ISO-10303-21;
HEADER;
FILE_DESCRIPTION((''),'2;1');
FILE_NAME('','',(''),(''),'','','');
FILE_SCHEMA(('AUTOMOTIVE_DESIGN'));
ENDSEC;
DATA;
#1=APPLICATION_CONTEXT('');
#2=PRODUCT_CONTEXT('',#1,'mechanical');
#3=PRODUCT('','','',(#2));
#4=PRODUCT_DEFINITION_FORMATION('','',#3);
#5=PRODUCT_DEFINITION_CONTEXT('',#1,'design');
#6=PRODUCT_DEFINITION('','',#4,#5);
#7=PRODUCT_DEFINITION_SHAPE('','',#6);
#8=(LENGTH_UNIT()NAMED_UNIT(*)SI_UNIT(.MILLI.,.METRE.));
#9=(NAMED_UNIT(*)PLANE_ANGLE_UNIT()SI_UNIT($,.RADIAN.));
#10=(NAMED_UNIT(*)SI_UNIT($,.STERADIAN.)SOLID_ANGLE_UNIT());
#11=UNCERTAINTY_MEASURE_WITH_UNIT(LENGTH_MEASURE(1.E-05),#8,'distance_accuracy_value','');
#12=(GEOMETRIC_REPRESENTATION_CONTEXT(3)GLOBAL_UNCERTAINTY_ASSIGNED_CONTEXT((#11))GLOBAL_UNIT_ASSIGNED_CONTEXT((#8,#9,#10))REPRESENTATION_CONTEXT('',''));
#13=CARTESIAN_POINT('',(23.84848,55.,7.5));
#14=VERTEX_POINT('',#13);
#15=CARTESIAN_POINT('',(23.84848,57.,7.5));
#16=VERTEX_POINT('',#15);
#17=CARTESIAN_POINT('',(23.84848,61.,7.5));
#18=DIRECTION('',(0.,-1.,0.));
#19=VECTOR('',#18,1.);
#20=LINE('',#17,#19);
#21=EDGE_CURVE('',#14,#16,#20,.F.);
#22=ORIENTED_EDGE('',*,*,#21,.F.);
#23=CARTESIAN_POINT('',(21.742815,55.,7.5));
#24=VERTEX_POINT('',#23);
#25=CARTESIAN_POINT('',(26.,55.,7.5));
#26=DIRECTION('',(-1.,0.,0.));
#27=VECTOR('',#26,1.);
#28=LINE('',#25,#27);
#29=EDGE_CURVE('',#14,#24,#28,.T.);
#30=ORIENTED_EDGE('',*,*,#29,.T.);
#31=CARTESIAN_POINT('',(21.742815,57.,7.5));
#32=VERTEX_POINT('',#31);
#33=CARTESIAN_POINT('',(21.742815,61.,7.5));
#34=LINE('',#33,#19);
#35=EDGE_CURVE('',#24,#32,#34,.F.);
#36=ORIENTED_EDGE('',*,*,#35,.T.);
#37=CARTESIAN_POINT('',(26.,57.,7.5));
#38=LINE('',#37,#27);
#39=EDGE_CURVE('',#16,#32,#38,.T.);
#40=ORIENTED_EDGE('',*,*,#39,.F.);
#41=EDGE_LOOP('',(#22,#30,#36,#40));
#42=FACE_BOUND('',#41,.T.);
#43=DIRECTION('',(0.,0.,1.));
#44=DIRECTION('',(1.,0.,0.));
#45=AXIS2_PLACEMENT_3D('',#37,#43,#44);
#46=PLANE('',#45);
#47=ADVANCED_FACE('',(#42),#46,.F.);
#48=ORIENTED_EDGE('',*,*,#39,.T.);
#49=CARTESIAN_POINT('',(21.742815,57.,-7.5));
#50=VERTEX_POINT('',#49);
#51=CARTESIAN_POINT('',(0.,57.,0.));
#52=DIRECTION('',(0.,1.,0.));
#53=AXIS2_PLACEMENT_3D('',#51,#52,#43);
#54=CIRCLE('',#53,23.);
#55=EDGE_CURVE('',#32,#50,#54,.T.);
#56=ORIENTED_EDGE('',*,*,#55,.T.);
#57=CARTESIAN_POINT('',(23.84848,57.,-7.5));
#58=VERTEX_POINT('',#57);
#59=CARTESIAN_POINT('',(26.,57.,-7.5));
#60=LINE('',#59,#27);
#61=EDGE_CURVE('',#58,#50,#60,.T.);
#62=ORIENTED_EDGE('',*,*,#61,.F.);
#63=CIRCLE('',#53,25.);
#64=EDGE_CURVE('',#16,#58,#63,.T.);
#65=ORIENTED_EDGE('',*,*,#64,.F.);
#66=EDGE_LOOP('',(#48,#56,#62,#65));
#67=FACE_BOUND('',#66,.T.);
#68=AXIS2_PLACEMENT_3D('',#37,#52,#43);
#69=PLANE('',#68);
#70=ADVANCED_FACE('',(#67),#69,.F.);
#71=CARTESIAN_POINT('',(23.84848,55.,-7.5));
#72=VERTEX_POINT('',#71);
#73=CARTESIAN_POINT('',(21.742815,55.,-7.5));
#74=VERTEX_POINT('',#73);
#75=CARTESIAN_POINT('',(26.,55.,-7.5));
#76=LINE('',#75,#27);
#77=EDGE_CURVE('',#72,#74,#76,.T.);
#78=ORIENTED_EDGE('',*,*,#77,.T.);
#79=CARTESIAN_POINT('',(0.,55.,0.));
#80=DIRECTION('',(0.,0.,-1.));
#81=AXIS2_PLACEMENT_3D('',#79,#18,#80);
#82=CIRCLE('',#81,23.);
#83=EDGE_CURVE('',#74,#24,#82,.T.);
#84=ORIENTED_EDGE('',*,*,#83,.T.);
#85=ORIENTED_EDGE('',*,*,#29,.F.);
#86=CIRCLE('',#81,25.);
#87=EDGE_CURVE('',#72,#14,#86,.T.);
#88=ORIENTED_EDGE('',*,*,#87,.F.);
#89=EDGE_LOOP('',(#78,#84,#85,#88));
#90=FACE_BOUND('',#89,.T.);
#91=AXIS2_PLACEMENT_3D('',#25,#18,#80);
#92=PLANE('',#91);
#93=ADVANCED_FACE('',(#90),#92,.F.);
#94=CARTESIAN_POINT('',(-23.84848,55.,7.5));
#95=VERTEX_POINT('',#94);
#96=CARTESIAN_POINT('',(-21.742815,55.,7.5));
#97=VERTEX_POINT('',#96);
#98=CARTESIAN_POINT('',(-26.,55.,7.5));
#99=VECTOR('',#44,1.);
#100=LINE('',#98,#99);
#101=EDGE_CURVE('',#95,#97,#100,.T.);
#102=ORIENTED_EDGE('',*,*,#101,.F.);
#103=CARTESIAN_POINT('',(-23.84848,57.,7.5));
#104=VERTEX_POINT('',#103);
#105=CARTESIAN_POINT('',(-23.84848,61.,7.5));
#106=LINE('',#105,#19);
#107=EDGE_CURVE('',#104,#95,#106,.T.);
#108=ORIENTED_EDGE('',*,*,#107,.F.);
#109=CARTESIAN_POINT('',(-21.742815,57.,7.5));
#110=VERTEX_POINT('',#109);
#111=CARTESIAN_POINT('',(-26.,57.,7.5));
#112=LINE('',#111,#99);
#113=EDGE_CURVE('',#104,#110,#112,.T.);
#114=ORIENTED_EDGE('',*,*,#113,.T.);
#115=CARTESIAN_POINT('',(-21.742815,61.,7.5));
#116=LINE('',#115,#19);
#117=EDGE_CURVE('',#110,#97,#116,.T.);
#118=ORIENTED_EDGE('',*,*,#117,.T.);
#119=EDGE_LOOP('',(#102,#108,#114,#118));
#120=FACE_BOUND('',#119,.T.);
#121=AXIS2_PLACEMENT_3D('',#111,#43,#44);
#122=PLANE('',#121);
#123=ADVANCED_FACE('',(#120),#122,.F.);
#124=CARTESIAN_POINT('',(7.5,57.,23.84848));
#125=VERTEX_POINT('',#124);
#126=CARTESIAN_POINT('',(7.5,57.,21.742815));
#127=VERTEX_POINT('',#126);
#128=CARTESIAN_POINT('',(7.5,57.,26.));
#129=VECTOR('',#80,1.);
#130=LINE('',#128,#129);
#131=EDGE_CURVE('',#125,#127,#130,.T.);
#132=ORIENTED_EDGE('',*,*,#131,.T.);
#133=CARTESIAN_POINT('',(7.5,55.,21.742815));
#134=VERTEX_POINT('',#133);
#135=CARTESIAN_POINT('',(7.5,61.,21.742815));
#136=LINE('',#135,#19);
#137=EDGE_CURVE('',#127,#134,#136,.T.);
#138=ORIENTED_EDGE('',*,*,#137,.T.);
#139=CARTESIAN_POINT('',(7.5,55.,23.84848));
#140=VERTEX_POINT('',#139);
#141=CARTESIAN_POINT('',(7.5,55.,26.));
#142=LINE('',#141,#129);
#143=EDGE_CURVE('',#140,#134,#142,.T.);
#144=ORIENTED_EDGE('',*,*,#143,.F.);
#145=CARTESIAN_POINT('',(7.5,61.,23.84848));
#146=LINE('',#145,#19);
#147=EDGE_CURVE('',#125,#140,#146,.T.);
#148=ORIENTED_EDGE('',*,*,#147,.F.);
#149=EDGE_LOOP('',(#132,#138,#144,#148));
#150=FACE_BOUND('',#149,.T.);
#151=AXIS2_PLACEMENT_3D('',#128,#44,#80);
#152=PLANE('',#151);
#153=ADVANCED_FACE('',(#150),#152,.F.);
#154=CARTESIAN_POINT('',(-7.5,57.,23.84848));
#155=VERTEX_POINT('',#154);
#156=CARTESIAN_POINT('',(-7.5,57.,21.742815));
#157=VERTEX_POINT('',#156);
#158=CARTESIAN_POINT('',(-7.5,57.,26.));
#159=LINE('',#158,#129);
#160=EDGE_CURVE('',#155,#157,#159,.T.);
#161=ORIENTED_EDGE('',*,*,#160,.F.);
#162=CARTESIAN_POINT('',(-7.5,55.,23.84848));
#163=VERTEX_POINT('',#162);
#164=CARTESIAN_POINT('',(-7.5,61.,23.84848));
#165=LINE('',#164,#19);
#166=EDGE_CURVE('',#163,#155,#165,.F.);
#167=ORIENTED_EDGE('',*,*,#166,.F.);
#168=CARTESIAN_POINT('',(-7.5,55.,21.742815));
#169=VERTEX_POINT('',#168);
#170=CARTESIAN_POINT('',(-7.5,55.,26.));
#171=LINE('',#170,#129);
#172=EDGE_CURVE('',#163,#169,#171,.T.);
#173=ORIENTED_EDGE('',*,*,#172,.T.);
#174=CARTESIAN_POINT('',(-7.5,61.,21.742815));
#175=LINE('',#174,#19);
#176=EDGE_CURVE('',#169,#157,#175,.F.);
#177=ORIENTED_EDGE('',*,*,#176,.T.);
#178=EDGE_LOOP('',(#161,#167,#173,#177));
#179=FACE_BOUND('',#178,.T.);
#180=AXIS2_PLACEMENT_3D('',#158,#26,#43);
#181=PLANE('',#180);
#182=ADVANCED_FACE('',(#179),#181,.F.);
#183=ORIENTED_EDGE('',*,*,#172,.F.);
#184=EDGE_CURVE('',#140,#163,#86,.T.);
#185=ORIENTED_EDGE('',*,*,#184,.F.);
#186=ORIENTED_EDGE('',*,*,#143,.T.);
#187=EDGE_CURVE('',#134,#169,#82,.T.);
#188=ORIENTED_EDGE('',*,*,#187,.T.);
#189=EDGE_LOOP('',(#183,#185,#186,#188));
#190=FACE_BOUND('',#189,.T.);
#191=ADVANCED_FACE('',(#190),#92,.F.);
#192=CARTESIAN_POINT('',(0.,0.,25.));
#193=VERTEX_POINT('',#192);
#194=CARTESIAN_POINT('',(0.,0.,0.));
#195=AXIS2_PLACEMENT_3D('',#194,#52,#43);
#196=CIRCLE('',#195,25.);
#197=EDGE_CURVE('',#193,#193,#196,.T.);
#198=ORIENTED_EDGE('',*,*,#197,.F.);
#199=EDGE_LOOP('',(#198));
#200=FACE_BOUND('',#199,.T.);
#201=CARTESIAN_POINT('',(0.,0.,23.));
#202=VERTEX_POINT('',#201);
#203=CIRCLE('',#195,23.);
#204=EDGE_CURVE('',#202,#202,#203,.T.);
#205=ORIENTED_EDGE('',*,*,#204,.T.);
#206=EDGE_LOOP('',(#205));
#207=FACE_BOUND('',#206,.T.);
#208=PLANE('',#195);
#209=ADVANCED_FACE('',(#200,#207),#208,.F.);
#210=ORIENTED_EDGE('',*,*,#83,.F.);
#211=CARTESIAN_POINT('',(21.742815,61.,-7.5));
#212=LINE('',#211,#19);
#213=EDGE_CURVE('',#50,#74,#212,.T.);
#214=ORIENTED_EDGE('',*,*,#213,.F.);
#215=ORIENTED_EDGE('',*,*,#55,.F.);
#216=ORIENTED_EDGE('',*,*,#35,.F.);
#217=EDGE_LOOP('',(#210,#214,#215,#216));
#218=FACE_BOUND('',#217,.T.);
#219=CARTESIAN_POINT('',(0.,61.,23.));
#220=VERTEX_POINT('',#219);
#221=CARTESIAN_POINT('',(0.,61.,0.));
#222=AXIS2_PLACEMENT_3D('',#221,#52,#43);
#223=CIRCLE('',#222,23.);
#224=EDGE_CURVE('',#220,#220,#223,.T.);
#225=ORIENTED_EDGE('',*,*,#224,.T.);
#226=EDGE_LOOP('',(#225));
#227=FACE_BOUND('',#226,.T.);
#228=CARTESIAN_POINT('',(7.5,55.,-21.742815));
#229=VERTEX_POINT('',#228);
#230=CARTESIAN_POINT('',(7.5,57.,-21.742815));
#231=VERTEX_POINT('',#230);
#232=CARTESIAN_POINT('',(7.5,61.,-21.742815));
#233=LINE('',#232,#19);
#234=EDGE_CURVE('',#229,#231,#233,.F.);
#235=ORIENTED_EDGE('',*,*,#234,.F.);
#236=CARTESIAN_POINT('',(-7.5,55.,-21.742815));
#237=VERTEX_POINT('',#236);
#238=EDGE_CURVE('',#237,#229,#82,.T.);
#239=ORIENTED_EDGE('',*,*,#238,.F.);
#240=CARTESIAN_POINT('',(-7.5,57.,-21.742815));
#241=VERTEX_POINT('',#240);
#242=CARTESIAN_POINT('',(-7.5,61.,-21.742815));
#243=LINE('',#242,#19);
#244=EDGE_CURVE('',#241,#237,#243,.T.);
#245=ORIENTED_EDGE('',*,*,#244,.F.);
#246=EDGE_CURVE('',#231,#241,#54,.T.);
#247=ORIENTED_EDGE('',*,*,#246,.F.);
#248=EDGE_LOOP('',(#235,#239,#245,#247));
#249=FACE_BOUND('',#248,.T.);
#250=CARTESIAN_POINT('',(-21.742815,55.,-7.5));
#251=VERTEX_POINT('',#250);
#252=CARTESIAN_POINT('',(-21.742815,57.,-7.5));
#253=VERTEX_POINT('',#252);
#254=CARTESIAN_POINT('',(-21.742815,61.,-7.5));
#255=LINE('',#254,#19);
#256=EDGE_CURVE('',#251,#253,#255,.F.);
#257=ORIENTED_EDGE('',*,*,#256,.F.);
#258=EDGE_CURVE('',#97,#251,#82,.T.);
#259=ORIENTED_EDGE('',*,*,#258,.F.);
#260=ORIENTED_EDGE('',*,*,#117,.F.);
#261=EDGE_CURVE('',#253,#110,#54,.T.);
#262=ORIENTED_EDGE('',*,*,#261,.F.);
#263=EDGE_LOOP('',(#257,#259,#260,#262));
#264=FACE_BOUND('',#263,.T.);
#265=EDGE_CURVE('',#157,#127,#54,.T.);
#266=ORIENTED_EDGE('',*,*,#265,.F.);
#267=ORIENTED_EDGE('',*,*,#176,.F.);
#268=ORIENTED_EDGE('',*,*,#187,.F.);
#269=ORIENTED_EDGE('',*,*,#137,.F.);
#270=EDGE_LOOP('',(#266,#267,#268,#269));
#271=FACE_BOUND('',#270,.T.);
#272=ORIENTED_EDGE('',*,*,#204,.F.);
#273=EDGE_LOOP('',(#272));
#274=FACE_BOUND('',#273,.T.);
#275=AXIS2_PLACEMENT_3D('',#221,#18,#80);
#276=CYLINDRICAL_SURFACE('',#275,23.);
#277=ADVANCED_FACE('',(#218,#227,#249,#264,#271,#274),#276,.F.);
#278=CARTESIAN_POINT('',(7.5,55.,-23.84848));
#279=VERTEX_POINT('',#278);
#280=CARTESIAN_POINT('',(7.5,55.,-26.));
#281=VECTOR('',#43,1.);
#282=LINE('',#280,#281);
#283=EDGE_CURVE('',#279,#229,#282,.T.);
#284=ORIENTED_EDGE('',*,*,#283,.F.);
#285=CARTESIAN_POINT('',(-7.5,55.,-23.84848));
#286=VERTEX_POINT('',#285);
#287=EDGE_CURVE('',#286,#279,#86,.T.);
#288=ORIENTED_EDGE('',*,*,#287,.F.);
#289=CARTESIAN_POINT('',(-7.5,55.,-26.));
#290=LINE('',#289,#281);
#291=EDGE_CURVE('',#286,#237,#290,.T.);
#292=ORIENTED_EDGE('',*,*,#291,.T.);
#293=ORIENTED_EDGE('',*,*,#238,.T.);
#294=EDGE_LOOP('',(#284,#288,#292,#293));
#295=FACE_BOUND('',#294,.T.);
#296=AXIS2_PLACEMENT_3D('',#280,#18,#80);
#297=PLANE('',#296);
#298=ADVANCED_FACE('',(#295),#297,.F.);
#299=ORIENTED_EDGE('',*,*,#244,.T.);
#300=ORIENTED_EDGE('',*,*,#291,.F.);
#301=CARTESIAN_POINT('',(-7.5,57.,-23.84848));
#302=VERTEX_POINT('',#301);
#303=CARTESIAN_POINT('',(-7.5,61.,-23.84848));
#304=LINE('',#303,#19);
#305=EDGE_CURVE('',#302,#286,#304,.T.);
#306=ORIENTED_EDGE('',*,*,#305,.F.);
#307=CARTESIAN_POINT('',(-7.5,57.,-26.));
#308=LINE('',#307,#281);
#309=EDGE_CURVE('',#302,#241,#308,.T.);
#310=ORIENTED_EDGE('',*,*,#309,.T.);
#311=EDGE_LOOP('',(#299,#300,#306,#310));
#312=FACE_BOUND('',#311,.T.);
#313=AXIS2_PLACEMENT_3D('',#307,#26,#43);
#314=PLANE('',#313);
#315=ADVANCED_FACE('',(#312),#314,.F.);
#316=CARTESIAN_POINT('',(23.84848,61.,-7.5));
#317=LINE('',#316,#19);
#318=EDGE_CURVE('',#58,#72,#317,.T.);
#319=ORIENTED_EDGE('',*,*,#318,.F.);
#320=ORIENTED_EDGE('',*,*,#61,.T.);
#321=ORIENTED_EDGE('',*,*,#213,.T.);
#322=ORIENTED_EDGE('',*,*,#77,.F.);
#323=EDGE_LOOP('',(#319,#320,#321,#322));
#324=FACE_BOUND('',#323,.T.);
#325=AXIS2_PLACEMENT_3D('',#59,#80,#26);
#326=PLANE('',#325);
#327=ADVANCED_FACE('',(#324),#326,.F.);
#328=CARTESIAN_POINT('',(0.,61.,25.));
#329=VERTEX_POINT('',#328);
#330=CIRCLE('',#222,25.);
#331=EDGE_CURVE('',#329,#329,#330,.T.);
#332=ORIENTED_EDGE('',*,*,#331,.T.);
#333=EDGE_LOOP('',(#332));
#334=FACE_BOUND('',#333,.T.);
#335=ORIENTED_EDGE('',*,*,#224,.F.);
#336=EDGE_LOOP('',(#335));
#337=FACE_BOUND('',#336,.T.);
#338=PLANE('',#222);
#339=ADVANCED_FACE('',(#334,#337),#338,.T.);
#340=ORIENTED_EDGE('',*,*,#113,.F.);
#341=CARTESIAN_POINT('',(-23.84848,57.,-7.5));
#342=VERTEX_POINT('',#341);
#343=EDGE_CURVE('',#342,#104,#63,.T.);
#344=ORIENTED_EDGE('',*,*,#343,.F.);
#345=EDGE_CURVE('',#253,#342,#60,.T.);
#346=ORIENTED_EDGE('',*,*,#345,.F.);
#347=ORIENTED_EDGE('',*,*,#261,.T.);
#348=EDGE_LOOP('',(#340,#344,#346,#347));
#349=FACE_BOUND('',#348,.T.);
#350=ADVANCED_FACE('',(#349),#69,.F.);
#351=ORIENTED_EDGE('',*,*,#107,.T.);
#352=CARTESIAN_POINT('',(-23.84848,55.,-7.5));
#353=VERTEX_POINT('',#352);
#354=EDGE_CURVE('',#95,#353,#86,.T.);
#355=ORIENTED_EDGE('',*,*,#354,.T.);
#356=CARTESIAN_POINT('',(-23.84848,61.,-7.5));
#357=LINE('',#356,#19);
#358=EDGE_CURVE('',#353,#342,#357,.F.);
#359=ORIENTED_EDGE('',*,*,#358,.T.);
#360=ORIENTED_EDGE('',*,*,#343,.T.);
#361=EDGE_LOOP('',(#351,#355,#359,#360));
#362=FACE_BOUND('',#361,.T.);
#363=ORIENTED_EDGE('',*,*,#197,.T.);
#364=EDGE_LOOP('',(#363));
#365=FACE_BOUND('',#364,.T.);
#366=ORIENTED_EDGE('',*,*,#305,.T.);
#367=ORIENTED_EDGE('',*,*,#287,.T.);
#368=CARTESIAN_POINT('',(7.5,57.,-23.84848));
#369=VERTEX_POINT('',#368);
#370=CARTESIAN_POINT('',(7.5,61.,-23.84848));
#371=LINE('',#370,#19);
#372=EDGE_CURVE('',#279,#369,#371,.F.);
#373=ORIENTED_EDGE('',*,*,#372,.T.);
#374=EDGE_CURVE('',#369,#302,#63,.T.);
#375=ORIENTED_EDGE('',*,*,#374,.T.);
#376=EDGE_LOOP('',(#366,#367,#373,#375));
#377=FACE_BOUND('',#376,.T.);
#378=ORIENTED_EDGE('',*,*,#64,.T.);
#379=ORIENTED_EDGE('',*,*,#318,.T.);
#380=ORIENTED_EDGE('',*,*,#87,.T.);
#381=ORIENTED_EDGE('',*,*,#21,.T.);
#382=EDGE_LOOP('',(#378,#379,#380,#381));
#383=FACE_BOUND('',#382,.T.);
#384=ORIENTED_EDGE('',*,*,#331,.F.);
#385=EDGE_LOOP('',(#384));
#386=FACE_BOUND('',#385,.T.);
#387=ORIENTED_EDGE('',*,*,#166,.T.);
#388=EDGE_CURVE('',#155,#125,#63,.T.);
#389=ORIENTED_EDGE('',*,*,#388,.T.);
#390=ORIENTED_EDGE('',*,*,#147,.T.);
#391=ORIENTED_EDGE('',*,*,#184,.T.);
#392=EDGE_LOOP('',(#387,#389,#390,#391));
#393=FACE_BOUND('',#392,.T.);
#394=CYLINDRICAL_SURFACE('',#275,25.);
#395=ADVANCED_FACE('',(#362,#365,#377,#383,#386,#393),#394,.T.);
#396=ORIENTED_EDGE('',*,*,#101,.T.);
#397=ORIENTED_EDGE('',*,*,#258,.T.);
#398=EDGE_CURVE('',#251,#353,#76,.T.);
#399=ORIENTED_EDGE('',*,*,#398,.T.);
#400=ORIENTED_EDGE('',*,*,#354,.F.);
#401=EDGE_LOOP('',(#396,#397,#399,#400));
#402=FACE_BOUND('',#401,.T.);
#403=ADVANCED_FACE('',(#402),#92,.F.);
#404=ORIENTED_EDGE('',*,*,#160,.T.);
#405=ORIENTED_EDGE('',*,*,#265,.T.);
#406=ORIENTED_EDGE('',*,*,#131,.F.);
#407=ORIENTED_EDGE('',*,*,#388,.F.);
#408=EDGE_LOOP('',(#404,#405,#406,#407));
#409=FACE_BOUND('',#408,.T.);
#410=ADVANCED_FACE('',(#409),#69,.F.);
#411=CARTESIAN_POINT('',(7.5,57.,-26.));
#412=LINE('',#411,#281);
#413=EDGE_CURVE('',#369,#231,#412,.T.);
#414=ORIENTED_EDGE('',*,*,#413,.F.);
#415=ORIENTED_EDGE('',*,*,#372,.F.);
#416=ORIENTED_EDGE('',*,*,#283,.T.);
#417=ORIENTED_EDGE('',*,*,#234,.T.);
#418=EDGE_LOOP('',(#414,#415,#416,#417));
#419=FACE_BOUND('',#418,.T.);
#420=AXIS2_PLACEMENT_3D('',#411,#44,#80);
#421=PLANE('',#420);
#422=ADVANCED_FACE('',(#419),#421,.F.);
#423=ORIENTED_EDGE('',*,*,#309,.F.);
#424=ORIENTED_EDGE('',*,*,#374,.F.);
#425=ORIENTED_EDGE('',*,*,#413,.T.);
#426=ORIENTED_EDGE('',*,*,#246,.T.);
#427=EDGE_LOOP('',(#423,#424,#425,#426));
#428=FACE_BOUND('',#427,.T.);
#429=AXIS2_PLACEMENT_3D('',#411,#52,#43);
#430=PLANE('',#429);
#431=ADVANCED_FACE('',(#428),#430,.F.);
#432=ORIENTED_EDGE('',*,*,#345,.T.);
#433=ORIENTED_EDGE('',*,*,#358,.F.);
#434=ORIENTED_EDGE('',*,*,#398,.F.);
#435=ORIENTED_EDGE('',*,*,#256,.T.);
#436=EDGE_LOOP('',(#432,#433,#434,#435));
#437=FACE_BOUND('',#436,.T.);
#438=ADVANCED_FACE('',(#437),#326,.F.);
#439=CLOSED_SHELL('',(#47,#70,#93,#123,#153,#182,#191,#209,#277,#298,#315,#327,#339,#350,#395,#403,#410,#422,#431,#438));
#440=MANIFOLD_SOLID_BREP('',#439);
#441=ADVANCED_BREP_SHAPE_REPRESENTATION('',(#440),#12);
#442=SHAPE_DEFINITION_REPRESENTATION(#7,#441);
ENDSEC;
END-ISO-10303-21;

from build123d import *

# Parameters (mm, degrees)
SKETCH1_R           = 25
SKETCH1_R_2         = 23
BOSS_EXTRUDE1_DEPTH = 61
SKETCH2_W           = 15
SKETCH2_H           = 2
CUT_EXTRUDE2_DEPTH  = 26
CIRPATTERN1_COUNT   = 4


with BuildPart() as part:
    # Sketch1 → Boss-Extrude1 (new body)
    with BuildSketch(Plane(origin=(0, 0, 0), x_dir=(1, 0, 0), z_dir=(0, 1, 0))):
        with Locations(Location((0, 0, 0), (0, 0, 90))):
            Circle(SKETCH1_R)
        with Locations(Location((0, 0, 0), (0, 0, 90))):
            Circle(SKETCH1_R_2, mode=Mode.SUBTRACT)
    extrude(amount=BOSS_EXTRUDE1_DEPTH)

    # Sketch2 → Cut-Extrude2 (cut)
    with BuildSketch(Plane.XY):
        with Locations((0, 56)):
            Rectangle(SKETCH2_W, SKETCH2_H)
    cut_extrude2 = extrude(amount=-CUT_EXTRUDE2_DEPTH, mode=Mode.SUBTRACT)

    # CirPattern1: Cut-Extrude2 ×4 about axis
    cirpattern1_axis = Axis((0, 0, 0), (0, 1, 0))
    for i in range(1, CIRPATTERN1_COUNT):
        add(cut_extrude2.rotate(cirpattern1_axis, i * 360 / CIRPATTERN1_COUNT), mode=Mode.SUBTRACT)


solid = part.part
